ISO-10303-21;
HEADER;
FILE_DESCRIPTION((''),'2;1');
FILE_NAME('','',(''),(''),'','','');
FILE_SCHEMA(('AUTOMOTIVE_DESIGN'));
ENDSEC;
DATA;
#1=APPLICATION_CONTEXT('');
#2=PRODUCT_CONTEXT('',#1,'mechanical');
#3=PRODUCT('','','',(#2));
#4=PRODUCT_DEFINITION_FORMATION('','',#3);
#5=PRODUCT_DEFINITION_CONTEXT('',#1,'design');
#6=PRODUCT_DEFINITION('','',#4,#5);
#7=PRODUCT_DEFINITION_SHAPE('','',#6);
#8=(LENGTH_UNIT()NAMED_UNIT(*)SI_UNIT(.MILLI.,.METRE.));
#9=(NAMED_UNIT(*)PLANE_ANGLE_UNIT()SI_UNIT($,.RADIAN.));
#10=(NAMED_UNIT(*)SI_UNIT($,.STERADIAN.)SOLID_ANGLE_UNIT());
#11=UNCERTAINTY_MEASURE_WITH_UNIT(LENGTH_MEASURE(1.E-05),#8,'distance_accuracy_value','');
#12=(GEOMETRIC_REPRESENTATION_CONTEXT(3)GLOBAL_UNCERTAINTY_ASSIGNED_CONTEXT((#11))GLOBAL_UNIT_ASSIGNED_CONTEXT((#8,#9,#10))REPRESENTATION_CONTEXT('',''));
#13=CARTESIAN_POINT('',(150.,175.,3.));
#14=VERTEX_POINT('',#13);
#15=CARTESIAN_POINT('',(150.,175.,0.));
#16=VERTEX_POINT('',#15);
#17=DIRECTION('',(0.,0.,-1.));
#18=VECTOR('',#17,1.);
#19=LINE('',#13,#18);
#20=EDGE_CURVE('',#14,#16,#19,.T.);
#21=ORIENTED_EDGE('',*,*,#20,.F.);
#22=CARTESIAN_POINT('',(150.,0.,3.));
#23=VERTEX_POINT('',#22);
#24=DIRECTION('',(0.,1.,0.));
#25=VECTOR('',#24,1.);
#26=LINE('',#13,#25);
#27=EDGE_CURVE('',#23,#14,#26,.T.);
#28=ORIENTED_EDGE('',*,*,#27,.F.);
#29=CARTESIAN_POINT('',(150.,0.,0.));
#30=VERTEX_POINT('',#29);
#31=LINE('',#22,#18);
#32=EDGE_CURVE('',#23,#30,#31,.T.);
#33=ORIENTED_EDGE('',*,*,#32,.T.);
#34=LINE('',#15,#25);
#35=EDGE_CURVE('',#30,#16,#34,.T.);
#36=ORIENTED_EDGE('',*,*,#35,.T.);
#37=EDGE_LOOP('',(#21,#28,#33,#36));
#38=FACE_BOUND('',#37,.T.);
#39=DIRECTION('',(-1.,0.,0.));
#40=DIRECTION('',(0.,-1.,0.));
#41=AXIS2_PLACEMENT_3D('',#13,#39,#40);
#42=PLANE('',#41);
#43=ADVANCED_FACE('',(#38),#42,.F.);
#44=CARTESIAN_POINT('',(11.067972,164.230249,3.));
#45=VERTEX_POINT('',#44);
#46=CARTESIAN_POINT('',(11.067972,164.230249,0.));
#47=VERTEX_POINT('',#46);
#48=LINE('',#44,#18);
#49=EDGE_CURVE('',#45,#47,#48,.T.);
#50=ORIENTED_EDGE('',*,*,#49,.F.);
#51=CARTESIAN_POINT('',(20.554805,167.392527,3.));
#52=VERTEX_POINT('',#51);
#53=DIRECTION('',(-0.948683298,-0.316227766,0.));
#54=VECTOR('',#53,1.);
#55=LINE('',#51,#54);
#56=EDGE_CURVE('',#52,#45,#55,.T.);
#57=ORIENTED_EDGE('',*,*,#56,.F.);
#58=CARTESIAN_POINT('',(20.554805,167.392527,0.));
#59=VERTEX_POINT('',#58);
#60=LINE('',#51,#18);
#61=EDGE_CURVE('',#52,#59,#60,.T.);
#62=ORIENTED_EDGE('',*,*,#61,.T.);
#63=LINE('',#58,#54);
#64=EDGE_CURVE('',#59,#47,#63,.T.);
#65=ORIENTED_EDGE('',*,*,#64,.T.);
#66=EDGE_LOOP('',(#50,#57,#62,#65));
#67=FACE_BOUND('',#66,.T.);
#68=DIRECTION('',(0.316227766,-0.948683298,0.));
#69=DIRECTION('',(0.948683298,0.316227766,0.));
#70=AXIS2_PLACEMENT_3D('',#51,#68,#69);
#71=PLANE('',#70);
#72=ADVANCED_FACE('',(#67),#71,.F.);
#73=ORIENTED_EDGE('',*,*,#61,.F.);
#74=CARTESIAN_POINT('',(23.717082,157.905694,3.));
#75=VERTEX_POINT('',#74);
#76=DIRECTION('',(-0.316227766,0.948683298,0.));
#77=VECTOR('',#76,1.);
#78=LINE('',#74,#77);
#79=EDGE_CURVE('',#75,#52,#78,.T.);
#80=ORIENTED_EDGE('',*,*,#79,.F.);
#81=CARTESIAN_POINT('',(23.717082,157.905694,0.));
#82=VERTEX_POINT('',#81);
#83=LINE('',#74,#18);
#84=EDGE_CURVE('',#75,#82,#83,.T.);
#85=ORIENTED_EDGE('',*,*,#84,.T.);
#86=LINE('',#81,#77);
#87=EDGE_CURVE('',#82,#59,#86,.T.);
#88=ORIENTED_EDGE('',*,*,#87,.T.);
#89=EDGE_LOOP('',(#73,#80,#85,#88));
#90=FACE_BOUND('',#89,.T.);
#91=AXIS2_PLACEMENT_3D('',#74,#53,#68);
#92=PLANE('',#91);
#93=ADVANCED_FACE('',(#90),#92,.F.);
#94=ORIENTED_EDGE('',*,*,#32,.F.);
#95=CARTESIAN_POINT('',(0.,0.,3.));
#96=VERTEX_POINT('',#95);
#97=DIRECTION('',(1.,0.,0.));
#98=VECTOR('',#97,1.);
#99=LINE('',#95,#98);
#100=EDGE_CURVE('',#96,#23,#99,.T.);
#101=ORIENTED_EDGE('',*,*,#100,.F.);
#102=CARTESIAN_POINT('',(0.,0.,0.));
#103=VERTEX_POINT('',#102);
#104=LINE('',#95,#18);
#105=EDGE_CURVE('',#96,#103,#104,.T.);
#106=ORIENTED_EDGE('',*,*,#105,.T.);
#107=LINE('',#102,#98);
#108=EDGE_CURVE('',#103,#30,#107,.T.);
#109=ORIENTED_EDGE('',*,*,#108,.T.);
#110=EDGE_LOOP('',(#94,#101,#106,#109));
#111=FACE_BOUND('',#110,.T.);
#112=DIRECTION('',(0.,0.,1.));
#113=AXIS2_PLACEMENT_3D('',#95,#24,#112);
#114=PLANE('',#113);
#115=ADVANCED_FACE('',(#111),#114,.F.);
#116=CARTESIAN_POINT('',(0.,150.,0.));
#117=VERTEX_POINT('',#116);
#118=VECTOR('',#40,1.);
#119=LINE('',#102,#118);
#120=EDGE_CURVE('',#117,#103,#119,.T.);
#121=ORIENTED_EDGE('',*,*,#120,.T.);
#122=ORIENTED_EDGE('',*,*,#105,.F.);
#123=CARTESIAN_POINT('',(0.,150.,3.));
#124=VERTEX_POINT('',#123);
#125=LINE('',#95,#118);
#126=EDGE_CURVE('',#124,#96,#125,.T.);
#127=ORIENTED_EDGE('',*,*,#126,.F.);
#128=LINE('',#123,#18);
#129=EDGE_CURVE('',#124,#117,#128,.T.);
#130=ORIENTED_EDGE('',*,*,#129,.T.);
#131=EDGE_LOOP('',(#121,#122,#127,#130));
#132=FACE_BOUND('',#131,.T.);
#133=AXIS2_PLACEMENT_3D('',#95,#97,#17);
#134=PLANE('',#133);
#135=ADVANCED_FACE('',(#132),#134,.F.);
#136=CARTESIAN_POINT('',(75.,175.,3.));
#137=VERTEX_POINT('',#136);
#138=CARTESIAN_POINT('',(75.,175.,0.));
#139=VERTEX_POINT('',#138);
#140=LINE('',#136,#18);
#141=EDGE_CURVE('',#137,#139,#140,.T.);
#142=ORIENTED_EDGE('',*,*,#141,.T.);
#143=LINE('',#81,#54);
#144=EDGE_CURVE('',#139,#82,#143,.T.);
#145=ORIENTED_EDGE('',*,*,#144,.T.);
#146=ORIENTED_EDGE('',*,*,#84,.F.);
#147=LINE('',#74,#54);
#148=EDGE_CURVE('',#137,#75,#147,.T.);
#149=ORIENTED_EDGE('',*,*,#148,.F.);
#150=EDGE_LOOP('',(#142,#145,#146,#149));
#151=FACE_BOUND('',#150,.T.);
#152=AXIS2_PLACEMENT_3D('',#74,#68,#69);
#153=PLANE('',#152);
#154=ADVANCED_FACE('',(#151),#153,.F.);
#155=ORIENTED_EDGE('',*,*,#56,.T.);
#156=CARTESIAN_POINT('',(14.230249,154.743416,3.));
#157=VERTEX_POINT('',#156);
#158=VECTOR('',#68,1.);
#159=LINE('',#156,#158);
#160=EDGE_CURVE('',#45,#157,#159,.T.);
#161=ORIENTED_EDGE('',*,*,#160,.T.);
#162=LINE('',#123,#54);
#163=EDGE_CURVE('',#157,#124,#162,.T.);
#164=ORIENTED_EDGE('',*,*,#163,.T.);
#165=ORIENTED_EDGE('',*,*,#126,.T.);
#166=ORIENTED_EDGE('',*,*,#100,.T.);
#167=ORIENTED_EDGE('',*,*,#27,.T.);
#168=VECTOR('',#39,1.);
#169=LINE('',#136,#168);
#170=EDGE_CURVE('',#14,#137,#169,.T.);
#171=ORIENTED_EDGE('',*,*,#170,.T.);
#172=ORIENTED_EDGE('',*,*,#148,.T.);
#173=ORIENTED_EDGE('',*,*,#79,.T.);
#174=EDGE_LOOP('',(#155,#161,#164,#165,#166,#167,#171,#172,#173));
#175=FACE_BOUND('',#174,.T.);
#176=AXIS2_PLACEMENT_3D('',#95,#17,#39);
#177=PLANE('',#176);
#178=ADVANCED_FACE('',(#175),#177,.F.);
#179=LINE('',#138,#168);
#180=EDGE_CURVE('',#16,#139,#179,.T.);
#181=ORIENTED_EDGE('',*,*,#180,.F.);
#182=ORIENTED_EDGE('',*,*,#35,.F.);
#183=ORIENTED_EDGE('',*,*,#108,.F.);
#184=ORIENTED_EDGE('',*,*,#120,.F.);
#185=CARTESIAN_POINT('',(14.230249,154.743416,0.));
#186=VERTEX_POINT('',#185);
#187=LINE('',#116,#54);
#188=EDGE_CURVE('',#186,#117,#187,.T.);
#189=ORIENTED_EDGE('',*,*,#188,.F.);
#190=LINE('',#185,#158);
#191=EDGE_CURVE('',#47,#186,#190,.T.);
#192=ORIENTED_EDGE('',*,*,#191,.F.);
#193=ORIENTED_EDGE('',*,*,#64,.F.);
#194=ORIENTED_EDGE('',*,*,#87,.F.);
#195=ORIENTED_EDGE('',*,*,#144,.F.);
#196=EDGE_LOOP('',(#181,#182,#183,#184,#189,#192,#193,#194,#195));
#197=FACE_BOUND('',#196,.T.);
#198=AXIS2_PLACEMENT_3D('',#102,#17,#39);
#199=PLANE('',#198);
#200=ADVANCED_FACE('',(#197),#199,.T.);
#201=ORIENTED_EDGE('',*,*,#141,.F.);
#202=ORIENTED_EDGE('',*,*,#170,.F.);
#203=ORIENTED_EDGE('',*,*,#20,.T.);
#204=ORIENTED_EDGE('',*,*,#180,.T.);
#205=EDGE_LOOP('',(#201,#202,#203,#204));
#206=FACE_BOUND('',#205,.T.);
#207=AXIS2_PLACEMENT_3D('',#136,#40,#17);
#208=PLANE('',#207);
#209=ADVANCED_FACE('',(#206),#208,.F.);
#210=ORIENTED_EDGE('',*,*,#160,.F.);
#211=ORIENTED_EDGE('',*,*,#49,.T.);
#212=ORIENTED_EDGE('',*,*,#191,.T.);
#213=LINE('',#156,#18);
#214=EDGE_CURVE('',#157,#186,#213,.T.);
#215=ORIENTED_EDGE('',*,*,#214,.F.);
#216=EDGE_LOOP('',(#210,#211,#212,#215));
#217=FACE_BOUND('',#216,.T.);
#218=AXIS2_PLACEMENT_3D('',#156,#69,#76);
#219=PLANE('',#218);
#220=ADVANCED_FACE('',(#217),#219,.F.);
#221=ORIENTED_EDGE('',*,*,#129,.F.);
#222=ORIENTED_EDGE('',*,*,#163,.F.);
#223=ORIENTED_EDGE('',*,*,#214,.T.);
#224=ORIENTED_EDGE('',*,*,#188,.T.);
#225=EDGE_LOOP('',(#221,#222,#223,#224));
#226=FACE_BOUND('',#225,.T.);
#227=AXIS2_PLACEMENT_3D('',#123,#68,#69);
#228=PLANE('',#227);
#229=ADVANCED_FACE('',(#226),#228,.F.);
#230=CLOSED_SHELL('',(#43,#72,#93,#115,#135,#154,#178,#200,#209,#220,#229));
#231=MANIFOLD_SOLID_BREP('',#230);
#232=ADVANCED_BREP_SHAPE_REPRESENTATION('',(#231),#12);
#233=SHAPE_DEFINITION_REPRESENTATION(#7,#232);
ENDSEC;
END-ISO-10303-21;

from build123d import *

# Parameters (mm, degrees)
BOSS_EXTRU_1_DEPTH = 3


with BuildPart() as part:
    # Esquisse1 → Boss.-Extru.1 (new body)
    with BuildSketch(Plane.XY):
        Polygon((0, 0), (150, 0), (150, 175), (75, 175), (23.717082451, 157.90569415), (20.554804791, 167.392527131), (11.067971811, 164.230249471), (14.230249471, 154.74341649), (0, 150), align=None)
    extrude(amount=BOSS_EXTRU_1_DEPTH)


solid = part.part
